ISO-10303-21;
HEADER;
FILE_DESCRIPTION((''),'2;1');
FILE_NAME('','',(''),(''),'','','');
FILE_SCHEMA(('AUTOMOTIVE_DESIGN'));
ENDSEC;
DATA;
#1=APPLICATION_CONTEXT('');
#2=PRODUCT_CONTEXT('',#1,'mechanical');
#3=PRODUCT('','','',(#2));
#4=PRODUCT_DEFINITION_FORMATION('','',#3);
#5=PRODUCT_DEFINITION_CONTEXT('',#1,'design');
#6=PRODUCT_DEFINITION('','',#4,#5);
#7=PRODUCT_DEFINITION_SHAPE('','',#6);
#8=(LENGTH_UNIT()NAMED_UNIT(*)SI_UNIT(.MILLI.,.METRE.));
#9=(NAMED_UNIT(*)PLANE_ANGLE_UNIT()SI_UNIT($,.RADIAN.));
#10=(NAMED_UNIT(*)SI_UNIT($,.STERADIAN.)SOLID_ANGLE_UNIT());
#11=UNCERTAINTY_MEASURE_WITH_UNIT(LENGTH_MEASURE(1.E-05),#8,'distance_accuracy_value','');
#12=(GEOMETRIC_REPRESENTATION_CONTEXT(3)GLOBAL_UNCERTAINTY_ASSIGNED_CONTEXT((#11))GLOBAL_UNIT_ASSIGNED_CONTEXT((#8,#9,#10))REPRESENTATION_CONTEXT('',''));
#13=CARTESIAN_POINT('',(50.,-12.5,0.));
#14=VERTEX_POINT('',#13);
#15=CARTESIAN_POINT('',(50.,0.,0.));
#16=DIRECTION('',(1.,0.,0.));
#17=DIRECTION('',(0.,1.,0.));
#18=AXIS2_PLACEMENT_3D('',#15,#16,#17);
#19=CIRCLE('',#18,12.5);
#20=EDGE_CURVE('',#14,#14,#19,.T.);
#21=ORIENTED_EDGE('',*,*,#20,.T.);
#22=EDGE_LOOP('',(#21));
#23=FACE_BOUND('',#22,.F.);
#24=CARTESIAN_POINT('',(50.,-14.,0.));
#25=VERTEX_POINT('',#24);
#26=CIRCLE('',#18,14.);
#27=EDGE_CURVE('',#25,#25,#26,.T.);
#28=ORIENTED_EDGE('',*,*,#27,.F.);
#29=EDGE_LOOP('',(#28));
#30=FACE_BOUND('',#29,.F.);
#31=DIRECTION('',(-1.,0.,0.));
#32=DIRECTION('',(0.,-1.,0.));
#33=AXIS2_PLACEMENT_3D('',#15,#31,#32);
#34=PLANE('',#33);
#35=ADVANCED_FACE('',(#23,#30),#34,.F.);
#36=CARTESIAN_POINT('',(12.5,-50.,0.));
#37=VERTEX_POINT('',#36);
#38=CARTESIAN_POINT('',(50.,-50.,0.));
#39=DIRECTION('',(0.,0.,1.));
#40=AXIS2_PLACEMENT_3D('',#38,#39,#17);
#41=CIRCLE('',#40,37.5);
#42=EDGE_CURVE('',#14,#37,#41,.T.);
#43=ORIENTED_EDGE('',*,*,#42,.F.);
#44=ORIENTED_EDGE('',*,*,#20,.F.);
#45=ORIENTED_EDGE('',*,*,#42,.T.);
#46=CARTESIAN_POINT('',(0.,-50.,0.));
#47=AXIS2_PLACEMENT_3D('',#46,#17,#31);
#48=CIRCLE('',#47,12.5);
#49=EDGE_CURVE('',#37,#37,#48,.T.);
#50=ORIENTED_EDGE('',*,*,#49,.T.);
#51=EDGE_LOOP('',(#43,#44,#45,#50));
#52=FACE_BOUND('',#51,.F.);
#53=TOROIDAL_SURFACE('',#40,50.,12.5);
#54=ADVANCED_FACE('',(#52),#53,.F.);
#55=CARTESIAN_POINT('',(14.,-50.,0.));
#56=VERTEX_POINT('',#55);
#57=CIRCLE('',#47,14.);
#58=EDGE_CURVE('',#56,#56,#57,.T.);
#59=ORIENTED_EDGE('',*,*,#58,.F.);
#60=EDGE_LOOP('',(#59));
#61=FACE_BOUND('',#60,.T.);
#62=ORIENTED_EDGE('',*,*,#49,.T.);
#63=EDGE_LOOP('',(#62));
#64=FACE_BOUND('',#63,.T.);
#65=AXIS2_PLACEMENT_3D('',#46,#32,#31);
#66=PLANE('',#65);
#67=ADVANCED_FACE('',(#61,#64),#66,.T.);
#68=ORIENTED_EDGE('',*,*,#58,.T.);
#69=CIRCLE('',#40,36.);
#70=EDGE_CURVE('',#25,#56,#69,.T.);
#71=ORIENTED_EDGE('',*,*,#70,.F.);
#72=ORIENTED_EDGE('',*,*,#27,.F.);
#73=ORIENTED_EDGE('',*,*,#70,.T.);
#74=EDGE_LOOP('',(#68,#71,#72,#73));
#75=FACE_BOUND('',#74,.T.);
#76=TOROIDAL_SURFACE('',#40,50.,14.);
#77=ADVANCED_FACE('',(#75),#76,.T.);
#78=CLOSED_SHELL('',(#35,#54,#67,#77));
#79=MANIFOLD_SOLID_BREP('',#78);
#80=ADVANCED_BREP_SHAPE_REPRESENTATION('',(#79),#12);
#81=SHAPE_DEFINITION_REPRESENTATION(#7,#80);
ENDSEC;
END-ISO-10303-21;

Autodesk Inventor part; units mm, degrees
ref_plane "YZ Plane" through (0, 0, 0) normal (1, 0, 0) x (0, 1, 0)
ref_plane "XZ Plane" through (0, 0, 0) normal (0, 1, 0) x (-1, 0, 0)
sketch "Szkic6" plane through (0, 0, 0) normal (0, 0, 1) x (1, 0, 0)
  line L0 (-29.6067, 0) -> (35.2678, 0) construction
  line L1 (0, 42.3419) -> (0, -58.3726) construction
  arc A0 (50, 0) -> (0, -50) centre (50, -50) ccw
  line L2 (0, -50) -> (50, -50) construction
  line L3 (50, -50) -> (50, 15.5331) construction
  line L4 (50, 0) -> (50, 0)
  line L5 (0, -50) -> (0, -50)
  point P0 (0, 0)
  dimension "d24" = 50
  dimension "d31" = 90
  dimension "d36" = 0
  dimension "d37" = 0
ref_plane "Płaszczyzna konstrukcyjna2" through (0, -50, 0) normal (0, -1, 0) x (1, 0, 0)
sketch "Szkic8" plane through (0, -50, 0) normal (0, -1, 0) x (1, 0, 0)
  circle A0 centre (0, 0) radius 14
  circle A1 centre (0, 0) radius 12.5
  dimension "d32" = 28
  dimension "d33" = 1.5
sweep "Przeciągnięcie2" add profiles "Szkic8" path "Szkic6"
equation "\"d32\" = OD"
equation "\"d33\" = THK"
equation "\"d24\" = R"
equation "\"d31\" = KAT"
equation "\"SzerokośćGięciaPodcięcia\" = Grubość"
equation "\"RozmiarPodcięciaNarożnika\" = 4 * Grubość"
equation "\"PromieńPrzejścia\" = PromieńGięcia"
equation "\"Rozmiar_promienia_Jacobiego\" = PromieńGięcia"
equation "\"Wielk_odstępu\" = Grubość"
equation "\"d2\" = PromieńGięcia"
equation "\"d23\" = PromieńGięcia"
equation "\"R\" = 50"
equation "\"OD\" = 28"
equation "\"THK\" = 1.5"
equation "\"KAT\" = 90deg"
equation "\"PROSTKA\" = 0"
equation "\"Grubość\" = 1.5"
equation "\"PromieńGięcia\" = 3"
properties part number "Kolano 90° ø28x1,5 R50" material "304L"
